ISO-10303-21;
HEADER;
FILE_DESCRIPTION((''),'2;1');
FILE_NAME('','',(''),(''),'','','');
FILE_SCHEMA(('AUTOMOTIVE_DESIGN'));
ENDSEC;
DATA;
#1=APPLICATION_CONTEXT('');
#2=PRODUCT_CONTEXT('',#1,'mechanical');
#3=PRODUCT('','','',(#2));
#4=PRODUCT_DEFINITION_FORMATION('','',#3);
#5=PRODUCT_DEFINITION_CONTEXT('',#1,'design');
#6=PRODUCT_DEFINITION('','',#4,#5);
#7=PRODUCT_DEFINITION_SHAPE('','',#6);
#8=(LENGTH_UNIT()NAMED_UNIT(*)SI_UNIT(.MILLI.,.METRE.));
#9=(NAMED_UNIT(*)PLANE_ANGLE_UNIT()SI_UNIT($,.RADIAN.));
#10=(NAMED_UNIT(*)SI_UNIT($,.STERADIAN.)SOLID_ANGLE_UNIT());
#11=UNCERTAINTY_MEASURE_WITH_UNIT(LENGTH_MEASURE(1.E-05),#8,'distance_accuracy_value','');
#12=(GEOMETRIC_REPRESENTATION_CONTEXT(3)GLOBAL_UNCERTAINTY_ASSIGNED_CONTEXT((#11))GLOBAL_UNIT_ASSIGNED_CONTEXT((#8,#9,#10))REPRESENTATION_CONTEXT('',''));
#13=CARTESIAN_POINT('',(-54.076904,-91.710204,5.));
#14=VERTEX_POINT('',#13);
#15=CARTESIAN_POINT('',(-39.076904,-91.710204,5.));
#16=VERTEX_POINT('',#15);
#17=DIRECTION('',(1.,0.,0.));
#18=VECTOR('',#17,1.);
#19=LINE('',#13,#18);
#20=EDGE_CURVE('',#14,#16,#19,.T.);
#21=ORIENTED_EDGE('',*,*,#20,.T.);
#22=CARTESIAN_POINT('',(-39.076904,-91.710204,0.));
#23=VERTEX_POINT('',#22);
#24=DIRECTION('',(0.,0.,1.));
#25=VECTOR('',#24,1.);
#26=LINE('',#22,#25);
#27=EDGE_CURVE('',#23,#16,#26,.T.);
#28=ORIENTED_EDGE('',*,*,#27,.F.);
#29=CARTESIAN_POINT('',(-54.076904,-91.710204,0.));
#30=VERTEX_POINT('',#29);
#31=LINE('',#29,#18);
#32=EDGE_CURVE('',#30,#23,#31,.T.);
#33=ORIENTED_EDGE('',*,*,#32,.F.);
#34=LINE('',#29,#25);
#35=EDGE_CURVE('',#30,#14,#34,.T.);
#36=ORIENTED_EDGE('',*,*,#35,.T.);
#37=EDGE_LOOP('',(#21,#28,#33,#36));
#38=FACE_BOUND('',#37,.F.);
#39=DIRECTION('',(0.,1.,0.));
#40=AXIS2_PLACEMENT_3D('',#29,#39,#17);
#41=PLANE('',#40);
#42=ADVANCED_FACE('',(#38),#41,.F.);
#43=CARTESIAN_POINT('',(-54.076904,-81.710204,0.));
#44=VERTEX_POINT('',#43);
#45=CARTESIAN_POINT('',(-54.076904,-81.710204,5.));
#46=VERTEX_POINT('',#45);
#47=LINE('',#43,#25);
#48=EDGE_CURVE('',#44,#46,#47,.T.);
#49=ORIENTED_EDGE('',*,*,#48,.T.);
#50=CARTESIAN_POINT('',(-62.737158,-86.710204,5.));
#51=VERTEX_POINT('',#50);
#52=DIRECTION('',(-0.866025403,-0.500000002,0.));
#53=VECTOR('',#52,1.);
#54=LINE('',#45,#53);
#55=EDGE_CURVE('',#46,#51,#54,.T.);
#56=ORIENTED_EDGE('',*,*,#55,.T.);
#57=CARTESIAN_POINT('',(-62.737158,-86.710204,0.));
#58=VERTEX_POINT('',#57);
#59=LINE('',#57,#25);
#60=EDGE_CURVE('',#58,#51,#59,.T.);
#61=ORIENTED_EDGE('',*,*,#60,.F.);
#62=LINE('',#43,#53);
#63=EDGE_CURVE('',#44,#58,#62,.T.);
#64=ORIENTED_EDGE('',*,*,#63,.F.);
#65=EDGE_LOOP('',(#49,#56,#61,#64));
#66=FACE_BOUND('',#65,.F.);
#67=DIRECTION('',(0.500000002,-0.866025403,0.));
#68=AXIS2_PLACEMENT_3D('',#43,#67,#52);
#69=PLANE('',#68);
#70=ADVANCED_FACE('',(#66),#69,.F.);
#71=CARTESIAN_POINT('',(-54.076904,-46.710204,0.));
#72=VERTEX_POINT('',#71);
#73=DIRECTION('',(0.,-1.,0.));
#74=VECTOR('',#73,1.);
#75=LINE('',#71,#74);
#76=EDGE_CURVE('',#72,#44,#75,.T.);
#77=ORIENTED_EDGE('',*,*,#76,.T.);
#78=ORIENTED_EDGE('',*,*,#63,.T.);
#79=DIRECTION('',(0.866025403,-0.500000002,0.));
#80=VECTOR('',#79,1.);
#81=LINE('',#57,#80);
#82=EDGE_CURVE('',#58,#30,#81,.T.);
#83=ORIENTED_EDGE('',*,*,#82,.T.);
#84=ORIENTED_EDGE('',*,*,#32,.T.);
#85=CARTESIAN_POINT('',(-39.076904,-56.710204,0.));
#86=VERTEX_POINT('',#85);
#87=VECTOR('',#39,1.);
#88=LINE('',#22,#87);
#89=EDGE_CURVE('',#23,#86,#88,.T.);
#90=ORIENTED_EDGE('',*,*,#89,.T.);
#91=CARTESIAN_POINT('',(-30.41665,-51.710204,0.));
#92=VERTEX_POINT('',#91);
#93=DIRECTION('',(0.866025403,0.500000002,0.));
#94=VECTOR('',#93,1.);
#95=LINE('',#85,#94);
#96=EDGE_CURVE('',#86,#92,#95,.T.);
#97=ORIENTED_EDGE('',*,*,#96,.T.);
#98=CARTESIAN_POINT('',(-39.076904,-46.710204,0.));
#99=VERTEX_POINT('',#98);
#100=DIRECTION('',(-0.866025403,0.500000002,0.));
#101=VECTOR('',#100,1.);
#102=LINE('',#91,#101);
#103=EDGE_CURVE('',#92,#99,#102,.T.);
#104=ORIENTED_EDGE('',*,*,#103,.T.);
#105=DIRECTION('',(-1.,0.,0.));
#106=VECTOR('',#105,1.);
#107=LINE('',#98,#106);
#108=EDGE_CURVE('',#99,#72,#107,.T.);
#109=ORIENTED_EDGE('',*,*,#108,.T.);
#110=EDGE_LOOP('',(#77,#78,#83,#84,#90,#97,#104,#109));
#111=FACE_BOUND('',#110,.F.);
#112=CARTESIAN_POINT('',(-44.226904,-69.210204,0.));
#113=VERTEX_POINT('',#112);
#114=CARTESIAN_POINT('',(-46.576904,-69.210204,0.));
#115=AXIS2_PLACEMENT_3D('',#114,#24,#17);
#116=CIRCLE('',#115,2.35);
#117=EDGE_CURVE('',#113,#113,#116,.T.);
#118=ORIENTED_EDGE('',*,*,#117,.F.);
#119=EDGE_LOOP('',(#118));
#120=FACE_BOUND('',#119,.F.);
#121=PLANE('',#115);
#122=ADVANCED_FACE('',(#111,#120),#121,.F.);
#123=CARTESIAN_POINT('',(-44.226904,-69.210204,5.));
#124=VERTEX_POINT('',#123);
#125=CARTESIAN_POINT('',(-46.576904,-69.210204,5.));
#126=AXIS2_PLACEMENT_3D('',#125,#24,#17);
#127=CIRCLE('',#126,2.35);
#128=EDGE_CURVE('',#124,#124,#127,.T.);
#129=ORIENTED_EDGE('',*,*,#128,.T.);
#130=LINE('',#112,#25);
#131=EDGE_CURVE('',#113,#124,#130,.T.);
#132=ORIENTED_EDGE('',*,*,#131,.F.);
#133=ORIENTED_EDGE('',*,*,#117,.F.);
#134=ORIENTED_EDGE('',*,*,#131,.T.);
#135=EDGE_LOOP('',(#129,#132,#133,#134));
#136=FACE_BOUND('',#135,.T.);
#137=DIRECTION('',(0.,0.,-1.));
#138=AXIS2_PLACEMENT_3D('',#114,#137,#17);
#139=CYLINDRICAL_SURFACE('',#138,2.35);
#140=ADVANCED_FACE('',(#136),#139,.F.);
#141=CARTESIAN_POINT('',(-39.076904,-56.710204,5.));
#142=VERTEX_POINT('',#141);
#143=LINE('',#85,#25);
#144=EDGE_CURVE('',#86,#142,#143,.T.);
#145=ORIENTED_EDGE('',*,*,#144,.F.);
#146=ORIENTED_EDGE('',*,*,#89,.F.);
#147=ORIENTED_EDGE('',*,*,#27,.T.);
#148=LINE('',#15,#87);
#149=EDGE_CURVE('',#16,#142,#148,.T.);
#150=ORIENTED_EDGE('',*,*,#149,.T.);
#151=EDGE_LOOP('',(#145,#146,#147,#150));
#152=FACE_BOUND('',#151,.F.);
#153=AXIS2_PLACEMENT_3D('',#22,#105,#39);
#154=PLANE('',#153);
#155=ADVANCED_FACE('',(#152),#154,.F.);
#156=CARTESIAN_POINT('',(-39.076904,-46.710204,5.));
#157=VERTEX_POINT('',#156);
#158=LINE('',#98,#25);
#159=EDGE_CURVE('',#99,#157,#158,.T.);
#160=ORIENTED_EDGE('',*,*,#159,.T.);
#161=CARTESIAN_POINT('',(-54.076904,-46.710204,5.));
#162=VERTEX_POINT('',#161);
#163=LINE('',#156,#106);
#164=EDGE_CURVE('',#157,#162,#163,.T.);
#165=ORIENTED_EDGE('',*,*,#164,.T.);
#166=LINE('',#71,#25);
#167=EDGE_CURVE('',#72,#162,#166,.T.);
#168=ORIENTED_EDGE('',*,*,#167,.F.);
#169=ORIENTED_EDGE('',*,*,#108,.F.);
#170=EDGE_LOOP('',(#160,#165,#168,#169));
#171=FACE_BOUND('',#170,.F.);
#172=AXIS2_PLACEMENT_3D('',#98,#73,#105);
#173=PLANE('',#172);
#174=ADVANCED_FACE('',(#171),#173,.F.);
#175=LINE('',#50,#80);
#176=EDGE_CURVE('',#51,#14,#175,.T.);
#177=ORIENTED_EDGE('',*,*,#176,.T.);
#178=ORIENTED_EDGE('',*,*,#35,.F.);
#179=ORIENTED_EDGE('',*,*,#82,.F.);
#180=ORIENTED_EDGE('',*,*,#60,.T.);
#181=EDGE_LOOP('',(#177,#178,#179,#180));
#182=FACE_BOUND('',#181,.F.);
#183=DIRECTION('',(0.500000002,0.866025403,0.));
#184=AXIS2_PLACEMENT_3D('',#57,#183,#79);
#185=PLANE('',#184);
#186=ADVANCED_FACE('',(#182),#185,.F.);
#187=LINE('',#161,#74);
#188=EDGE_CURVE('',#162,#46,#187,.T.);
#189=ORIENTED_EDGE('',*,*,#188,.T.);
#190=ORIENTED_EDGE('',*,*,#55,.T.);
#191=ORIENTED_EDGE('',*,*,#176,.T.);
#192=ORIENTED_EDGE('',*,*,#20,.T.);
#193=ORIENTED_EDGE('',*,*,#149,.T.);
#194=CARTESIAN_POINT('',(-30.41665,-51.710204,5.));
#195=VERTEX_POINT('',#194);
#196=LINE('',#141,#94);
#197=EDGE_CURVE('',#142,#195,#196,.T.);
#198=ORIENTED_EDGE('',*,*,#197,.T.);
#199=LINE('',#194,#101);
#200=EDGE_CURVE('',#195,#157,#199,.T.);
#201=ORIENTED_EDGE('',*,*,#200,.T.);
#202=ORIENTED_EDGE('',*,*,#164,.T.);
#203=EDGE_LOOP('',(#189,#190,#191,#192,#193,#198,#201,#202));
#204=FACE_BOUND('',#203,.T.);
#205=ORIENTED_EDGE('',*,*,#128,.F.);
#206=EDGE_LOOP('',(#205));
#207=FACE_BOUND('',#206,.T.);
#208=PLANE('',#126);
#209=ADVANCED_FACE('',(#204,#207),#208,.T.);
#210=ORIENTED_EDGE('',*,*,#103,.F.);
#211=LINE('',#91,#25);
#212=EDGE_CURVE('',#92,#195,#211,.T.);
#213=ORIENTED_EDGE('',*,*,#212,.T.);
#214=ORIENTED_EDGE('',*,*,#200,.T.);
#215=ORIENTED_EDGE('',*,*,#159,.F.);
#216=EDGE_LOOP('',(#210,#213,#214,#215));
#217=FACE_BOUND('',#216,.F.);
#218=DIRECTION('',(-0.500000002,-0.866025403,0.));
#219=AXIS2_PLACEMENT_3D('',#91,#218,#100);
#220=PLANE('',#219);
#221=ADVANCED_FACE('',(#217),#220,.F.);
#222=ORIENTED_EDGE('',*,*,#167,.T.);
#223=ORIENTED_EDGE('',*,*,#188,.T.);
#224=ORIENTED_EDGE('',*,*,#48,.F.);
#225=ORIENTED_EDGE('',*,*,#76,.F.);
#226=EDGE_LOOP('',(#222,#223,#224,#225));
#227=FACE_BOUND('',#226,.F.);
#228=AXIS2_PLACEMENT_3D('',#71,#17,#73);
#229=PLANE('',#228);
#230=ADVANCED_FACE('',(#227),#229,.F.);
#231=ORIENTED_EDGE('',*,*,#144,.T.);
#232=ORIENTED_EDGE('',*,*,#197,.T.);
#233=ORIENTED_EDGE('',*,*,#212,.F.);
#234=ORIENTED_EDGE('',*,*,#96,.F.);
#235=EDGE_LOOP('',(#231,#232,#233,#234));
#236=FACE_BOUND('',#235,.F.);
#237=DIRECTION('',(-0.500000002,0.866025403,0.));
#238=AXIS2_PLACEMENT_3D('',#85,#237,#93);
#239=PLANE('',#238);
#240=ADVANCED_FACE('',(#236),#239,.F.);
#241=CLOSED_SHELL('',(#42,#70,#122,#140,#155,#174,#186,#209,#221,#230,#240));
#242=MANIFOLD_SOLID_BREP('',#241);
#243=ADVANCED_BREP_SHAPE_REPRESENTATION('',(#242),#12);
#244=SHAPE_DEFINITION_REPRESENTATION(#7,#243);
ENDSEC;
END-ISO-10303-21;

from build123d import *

# Parameters (mm, degrees)
F0_R     = 2.35
F1_DEPTH = 5


with BuildPart() as f1:
    # F0 (on Top) → F1 (new body)
    with BuildSketch(Plane.XY):
        Polygon((-39.076904, -51.710204), (-39.076904, -46.710204), (-54.076904, -46.710204), (-54.076904, -81.710204), (-54.076904, -86.710204), (-54.076904, -91.710204), (-39.076904, -91.710204), (-39.076904, -56.710204), align=None)
        with Locations((-46.576904, -69.210204)):
            Circle(F0_R, mode=Mode.SUBTRACT)
        Polygon((-30.41665, -51.710204), (-39.076904, -46.710204), (-39.076904, -51.710204), align=None)
        Polygon((-30.41665, -51.710204), (-39.076904, -51.710204), (-39.076904, -56.710204), align=None)
        Polygon((-54.076904, -86.710204), (-54.076904, -81.710204), (-62.737158, -86.710204), align=None)
        Polygon((-54.076904, -91.710204), (-54.076904, -86.710204), (-62.737158, -86.710204), align=None)
    extrude(amount=F1_DEPTH)


solid = f1.part
